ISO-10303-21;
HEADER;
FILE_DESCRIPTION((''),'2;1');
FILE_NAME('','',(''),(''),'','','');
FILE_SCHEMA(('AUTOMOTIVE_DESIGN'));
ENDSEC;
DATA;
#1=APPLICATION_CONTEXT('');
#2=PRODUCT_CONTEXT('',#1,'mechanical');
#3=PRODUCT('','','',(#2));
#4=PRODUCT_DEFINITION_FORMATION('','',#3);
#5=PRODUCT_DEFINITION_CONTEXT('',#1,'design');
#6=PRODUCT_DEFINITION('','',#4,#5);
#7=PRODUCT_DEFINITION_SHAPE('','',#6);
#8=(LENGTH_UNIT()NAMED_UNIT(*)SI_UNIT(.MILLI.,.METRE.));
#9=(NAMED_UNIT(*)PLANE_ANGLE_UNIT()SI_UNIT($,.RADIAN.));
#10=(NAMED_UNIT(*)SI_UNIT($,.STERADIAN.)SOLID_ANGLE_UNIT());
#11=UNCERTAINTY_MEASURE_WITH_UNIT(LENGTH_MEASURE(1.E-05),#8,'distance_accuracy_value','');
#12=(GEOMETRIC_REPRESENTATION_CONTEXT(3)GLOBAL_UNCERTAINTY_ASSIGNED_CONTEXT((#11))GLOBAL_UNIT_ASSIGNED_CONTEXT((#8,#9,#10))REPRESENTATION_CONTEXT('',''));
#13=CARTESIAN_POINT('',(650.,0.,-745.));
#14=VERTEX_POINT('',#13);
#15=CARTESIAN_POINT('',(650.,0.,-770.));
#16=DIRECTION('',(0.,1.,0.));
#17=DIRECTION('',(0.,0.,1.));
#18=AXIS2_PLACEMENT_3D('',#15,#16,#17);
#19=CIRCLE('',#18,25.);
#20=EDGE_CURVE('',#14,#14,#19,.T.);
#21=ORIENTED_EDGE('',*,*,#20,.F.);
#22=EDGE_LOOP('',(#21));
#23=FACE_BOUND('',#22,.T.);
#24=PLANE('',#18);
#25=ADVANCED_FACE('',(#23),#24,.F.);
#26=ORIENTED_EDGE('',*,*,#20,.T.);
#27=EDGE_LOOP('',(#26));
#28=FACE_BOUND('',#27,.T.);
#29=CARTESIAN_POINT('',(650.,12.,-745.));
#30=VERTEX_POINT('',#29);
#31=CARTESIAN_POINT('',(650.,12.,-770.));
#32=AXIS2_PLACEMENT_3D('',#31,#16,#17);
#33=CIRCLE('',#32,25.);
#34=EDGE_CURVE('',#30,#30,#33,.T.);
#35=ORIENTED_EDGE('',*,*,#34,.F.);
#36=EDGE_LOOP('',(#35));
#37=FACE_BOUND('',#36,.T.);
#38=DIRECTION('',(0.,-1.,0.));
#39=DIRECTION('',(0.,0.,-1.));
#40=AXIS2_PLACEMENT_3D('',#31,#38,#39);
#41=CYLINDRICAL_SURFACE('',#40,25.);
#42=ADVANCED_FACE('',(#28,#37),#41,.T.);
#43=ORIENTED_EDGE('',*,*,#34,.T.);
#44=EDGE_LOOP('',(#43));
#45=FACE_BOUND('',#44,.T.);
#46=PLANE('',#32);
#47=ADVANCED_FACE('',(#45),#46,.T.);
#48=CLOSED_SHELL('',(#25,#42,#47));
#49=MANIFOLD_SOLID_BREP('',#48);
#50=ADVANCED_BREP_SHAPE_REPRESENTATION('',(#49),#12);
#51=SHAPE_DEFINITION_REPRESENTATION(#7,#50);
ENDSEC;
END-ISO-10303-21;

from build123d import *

# Parameters (mm, degrees)
SKETCH1_R               = 25
OVEN_AYAR_AYAGI_4_DEPTH = 12


with BuildPart() as part:
    # Sketch1 → OVEN_ayar_ayagi_4 (new body)
    with BuildSketch(Plane(origin=(0, 0, 0), x_dir=(1, 0, 0), z_dir=(0, 1, 0))):
        with Locations(Location((650, 770, 0), (0, 0, 270))):
            Circle(SKETCH1_R)
    extrude(amount=OVEN_AYAR_AYAGI_4_DEPTH)


solid = part.part
